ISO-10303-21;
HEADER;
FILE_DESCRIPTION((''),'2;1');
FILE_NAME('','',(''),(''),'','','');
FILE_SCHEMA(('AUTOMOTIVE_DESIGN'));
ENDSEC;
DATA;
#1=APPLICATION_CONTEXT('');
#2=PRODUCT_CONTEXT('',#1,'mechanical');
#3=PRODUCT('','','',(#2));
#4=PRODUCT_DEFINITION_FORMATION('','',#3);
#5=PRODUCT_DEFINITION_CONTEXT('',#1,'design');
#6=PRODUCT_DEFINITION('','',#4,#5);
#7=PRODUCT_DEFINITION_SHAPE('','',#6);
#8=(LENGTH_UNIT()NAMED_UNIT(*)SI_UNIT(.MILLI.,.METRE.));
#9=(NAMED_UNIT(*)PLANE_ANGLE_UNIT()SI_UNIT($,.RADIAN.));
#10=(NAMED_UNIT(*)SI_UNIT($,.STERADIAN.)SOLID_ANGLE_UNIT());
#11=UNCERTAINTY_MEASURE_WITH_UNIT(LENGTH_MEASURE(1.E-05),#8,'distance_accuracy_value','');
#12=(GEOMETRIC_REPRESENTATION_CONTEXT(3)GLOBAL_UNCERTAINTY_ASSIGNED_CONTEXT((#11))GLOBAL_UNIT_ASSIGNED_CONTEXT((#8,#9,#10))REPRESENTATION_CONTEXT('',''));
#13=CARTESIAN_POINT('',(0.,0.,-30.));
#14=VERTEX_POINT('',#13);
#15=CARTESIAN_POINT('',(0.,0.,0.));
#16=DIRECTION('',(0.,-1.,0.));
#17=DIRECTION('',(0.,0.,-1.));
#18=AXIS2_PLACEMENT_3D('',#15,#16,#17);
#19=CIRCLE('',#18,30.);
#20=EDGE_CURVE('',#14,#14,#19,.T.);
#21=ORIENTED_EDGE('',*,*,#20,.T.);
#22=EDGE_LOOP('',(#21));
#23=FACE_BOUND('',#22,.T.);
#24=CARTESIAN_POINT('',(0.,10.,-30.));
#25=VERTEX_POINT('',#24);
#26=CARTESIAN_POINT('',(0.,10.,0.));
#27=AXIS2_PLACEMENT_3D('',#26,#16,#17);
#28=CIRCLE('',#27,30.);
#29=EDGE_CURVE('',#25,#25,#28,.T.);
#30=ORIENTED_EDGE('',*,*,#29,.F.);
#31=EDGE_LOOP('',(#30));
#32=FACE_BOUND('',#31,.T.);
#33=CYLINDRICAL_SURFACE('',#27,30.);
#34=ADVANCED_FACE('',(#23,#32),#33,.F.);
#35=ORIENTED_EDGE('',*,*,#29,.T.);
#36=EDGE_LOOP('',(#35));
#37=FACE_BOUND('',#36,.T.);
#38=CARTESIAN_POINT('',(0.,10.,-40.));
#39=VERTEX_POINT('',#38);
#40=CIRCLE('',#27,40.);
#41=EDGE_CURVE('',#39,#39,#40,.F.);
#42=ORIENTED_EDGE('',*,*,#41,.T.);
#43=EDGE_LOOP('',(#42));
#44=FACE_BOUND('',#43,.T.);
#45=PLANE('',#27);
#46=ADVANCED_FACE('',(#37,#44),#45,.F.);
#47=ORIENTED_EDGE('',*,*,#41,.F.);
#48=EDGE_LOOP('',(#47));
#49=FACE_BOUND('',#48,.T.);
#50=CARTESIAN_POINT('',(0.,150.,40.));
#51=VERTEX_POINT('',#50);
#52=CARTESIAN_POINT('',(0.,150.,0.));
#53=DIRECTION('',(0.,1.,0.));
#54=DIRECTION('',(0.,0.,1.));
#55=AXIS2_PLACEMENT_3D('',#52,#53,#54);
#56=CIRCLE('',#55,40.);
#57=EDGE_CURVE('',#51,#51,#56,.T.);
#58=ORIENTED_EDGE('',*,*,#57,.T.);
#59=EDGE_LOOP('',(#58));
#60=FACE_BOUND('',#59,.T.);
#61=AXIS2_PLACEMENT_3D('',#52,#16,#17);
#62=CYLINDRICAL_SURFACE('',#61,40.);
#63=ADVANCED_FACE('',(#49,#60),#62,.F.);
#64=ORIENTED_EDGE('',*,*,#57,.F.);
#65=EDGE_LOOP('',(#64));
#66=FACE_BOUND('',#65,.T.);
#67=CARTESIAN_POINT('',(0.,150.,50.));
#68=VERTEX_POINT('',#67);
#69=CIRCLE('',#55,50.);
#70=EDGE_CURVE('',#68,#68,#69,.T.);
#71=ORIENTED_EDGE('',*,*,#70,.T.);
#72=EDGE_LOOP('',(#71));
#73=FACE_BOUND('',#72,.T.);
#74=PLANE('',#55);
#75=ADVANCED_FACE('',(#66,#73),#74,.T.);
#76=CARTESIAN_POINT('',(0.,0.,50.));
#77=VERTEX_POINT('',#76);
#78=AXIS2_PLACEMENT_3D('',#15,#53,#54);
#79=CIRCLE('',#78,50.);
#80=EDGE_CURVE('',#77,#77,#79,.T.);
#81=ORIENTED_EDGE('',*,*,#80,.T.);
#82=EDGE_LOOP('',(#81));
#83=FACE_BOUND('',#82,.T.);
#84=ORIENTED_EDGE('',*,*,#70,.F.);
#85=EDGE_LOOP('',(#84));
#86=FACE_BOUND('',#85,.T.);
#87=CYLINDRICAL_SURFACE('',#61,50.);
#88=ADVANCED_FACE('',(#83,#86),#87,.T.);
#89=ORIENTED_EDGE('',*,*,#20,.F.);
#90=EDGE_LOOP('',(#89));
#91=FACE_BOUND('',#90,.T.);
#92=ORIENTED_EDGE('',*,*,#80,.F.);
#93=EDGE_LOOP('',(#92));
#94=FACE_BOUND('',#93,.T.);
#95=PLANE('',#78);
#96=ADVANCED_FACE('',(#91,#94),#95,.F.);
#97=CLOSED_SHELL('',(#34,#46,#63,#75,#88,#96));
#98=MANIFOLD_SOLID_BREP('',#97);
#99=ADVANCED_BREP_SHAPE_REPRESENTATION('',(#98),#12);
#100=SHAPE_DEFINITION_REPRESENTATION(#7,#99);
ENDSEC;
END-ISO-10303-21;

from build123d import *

# Parameters (mm, degrees)
SKETCH2_R           = 50
SKETCH2_R_2         = 40
BOSS_EXTRUDE1_DEPTH = 150
SKETCH3_R           = 40
SKETCH3_R_2         = 30
BOSS_EXTRUDE2_DEPTH = 10


with BuildPart() as part:
    # Sketch2 → Boss-Extrude1 (new body)
    with BuildSketch(Plane(origin=(0, 0, 0), x_dir=(1, 0, 0), z_dir=(0, 1, 0))):
        with Locations(Location((0, 0, 0), (0, 0, 270))):
            Circle(SKETCH2_R)
        with Locations(Location((0, 0, 0), (0, 0, 270))):
            Circle(SKETCH2_R_2, mode=Mode.SUBTRACT)
    extrude(amount=BOSS_EXTRUDE1_DEPTH)

    # Sketch3 → Boss-Extrude2 (add)
    with BuildSketch(Plane.XZ):
        with Locations(Location((0, 0, 0), (0, 0, 270))):
            Circle(SKETCH3_R)
        with Locations(Location((0, 0, 0), (0, 0, 270))):
            Circle(SKETCH3_R_2, mode=Mode.SUBTRACT)
    extrude(amount=-BOSS_EXTRUDE2_DEPTH)


solid = part.part
